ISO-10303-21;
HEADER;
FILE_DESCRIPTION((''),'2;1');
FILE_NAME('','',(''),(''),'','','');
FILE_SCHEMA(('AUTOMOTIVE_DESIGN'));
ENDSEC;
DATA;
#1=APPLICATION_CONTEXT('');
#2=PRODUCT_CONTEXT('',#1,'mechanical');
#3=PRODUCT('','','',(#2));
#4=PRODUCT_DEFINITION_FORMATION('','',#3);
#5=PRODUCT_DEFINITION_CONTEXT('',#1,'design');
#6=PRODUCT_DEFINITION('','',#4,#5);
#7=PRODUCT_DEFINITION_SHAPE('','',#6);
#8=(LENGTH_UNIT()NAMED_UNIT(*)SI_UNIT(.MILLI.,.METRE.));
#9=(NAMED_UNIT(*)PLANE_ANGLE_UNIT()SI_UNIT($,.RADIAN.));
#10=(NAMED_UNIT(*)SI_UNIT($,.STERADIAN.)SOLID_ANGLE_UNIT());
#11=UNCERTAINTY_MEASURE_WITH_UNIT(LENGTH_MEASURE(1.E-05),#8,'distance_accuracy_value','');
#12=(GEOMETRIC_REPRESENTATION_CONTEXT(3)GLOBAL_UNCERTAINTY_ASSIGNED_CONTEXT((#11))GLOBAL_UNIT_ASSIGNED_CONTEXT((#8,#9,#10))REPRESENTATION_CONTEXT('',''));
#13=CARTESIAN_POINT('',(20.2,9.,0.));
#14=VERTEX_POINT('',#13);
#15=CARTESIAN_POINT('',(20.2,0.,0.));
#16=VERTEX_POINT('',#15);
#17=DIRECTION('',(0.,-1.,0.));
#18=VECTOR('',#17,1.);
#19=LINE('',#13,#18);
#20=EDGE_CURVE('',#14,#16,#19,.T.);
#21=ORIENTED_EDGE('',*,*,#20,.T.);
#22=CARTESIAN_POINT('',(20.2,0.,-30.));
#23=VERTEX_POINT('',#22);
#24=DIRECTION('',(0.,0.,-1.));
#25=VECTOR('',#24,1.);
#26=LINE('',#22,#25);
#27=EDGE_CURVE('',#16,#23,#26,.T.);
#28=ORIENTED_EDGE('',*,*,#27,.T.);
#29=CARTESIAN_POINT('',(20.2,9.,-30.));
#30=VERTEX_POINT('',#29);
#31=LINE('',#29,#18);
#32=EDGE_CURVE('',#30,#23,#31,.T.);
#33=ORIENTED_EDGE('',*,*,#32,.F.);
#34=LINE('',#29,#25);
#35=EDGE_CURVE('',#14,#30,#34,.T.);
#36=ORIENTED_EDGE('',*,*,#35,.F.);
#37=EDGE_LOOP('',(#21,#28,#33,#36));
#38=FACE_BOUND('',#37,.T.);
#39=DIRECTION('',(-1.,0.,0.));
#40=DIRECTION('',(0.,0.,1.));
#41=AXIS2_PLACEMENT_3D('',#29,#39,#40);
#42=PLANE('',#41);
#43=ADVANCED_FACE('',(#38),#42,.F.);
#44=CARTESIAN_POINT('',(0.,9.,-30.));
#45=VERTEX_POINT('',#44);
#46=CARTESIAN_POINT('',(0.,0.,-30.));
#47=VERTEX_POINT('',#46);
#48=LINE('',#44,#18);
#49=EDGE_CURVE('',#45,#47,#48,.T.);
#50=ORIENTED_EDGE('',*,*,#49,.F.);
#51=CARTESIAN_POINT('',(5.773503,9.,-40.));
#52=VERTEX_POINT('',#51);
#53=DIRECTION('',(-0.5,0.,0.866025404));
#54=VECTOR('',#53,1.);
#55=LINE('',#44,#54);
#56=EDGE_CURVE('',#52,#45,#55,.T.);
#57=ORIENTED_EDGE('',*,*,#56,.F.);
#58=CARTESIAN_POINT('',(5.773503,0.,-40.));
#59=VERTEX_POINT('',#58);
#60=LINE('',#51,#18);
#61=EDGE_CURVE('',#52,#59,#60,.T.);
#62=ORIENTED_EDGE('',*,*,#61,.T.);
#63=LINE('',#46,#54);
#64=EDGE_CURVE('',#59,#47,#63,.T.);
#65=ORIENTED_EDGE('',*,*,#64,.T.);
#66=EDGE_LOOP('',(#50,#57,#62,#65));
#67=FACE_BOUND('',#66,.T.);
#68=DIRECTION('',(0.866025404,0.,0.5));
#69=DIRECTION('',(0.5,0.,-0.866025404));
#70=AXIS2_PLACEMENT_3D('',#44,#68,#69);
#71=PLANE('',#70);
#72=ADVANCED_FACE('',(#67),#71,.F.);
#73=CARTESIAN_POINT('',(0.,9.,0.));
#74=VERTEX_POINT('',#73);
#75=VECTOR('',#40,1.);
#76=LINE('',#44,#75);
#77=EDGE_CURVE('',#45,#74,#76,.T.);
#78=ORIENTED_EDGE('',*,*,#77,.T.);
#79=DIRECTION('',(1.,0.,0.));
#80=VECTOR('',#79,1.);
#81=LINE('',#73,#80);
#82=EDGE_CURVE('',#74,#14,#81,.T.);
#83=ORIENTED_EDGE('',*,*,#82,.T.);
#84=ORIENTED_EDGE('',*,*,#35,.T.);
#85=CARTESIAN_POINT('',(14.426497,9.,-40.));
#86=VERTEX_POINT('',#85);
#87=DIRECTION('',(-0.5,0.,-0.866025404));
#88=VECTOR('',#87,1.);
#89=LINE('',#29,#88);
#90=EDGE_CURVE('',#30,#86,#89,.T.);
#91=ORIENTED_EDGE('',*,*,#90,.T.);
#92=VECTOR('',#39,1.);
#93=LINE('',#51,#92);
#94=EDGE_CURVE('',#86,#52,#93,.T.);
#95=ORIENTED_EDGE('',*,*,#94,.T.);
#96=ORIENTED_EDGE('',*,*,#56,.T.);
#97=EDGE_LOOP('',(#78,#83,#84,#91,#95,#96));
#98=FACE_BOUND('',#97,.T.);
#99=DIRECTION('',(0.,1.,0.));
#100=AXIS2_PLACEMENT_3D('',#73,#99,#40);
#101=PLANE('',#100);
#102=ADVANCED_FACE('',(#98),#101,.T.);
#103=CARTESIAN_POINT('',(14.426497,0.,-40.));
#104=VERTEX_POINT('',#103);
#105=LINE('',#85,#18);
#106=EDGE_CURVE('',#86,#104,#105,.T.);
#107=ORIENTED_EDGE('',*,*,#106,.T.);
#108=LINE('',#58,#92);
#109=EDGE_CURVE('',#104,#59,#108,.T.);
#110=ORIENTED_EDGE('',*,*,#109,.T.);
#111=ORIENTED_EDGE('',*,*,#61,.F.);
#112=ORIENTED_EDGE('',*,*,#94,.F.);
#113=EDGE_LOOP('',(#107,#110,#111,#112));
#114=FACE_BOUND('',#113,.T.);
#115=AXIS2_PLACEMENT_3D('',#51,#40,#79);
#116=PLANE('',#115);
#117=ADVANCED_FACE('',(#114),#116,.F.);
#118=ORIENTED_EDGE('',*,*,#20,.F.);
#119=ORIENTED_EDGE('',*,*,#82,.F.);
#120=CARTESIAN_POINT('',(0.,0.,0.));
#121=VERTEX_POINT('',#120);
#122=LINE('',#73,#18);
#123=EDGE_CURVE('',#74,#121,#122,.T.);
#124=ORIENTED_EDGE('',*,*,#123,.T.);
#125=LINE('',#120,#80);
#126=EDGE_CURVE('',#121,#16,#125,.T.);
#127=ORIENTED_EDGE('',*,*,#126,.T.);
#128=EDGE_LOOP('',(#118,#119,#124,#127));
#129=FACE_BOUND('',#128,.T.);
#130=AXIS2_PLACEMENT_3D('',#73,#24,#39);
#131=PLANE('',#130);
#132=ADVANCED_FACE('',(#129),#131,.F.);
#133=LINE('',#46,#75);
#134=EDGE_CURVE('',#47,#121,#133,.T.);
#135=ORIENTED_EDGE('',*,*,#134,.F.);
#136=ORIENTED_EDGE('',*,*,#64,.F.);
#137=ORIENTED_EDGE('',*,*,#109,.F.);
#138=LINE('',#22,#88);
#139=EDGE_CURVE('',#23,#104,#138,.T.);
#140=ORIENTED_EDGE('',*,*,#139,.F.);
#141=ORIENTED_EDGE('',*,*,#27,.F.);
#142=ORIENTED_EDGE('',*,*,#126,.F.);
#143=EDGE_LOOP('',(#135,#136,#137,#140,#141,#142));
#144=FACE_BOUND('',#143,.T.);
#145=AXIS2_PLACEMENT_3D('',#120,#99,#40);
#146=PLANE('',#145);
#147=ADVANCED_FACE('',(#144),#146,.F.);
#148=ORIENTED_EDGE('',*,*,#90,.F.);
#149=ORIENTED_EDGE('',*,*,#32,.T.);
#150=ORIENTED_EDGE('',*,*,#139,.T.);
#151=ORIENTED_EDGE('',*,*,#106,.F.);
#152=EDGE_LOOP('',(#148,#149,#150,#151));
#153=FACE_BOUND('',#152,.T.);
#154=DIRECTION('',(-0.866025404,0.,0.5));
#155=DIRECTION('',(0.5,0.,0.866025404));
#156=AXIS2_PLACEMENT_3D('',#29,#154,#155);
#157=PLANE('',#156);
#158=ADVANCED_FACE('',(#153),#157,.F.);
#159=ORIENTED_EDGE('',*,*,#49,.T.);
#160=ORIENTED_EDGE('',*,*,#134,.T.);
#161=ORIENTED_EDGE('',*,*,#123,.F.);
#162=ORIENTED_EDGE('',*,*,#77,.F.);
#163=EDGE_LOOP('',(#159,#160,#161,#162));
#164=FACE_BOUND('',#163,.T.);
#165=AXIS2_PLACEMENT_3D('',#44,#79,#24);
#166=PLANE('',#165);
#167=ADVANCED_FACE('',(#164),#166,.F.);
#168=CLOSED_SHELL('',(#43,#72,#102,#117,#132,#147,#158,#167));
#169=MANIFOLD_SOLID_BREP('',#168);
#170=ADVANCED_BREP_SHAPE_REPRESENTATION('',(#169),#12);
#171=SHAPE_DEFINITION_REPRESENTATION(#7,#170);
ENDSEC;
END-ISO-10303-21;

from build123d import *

# Parameters (mm, degrees)
EXTRUDE_1_DEPTH = 9


with BuildPart() as part:
    # Эскиз1 → Бобышка-Вытянуть1 (new body)
    with BuildSketch(Plane(origin=(0, 0, 0), x_dir=(1, 0, 0), z_dir=(0, 1, 0))):
        Polygon((0, 30), (0, 0), (20.2, 0), (20.2, 30), (14.426497308, 40), (5.773502692, 40), align=None)
    extrude(amount=EXTRUDE_1_DEPTH)


solid = part.part
